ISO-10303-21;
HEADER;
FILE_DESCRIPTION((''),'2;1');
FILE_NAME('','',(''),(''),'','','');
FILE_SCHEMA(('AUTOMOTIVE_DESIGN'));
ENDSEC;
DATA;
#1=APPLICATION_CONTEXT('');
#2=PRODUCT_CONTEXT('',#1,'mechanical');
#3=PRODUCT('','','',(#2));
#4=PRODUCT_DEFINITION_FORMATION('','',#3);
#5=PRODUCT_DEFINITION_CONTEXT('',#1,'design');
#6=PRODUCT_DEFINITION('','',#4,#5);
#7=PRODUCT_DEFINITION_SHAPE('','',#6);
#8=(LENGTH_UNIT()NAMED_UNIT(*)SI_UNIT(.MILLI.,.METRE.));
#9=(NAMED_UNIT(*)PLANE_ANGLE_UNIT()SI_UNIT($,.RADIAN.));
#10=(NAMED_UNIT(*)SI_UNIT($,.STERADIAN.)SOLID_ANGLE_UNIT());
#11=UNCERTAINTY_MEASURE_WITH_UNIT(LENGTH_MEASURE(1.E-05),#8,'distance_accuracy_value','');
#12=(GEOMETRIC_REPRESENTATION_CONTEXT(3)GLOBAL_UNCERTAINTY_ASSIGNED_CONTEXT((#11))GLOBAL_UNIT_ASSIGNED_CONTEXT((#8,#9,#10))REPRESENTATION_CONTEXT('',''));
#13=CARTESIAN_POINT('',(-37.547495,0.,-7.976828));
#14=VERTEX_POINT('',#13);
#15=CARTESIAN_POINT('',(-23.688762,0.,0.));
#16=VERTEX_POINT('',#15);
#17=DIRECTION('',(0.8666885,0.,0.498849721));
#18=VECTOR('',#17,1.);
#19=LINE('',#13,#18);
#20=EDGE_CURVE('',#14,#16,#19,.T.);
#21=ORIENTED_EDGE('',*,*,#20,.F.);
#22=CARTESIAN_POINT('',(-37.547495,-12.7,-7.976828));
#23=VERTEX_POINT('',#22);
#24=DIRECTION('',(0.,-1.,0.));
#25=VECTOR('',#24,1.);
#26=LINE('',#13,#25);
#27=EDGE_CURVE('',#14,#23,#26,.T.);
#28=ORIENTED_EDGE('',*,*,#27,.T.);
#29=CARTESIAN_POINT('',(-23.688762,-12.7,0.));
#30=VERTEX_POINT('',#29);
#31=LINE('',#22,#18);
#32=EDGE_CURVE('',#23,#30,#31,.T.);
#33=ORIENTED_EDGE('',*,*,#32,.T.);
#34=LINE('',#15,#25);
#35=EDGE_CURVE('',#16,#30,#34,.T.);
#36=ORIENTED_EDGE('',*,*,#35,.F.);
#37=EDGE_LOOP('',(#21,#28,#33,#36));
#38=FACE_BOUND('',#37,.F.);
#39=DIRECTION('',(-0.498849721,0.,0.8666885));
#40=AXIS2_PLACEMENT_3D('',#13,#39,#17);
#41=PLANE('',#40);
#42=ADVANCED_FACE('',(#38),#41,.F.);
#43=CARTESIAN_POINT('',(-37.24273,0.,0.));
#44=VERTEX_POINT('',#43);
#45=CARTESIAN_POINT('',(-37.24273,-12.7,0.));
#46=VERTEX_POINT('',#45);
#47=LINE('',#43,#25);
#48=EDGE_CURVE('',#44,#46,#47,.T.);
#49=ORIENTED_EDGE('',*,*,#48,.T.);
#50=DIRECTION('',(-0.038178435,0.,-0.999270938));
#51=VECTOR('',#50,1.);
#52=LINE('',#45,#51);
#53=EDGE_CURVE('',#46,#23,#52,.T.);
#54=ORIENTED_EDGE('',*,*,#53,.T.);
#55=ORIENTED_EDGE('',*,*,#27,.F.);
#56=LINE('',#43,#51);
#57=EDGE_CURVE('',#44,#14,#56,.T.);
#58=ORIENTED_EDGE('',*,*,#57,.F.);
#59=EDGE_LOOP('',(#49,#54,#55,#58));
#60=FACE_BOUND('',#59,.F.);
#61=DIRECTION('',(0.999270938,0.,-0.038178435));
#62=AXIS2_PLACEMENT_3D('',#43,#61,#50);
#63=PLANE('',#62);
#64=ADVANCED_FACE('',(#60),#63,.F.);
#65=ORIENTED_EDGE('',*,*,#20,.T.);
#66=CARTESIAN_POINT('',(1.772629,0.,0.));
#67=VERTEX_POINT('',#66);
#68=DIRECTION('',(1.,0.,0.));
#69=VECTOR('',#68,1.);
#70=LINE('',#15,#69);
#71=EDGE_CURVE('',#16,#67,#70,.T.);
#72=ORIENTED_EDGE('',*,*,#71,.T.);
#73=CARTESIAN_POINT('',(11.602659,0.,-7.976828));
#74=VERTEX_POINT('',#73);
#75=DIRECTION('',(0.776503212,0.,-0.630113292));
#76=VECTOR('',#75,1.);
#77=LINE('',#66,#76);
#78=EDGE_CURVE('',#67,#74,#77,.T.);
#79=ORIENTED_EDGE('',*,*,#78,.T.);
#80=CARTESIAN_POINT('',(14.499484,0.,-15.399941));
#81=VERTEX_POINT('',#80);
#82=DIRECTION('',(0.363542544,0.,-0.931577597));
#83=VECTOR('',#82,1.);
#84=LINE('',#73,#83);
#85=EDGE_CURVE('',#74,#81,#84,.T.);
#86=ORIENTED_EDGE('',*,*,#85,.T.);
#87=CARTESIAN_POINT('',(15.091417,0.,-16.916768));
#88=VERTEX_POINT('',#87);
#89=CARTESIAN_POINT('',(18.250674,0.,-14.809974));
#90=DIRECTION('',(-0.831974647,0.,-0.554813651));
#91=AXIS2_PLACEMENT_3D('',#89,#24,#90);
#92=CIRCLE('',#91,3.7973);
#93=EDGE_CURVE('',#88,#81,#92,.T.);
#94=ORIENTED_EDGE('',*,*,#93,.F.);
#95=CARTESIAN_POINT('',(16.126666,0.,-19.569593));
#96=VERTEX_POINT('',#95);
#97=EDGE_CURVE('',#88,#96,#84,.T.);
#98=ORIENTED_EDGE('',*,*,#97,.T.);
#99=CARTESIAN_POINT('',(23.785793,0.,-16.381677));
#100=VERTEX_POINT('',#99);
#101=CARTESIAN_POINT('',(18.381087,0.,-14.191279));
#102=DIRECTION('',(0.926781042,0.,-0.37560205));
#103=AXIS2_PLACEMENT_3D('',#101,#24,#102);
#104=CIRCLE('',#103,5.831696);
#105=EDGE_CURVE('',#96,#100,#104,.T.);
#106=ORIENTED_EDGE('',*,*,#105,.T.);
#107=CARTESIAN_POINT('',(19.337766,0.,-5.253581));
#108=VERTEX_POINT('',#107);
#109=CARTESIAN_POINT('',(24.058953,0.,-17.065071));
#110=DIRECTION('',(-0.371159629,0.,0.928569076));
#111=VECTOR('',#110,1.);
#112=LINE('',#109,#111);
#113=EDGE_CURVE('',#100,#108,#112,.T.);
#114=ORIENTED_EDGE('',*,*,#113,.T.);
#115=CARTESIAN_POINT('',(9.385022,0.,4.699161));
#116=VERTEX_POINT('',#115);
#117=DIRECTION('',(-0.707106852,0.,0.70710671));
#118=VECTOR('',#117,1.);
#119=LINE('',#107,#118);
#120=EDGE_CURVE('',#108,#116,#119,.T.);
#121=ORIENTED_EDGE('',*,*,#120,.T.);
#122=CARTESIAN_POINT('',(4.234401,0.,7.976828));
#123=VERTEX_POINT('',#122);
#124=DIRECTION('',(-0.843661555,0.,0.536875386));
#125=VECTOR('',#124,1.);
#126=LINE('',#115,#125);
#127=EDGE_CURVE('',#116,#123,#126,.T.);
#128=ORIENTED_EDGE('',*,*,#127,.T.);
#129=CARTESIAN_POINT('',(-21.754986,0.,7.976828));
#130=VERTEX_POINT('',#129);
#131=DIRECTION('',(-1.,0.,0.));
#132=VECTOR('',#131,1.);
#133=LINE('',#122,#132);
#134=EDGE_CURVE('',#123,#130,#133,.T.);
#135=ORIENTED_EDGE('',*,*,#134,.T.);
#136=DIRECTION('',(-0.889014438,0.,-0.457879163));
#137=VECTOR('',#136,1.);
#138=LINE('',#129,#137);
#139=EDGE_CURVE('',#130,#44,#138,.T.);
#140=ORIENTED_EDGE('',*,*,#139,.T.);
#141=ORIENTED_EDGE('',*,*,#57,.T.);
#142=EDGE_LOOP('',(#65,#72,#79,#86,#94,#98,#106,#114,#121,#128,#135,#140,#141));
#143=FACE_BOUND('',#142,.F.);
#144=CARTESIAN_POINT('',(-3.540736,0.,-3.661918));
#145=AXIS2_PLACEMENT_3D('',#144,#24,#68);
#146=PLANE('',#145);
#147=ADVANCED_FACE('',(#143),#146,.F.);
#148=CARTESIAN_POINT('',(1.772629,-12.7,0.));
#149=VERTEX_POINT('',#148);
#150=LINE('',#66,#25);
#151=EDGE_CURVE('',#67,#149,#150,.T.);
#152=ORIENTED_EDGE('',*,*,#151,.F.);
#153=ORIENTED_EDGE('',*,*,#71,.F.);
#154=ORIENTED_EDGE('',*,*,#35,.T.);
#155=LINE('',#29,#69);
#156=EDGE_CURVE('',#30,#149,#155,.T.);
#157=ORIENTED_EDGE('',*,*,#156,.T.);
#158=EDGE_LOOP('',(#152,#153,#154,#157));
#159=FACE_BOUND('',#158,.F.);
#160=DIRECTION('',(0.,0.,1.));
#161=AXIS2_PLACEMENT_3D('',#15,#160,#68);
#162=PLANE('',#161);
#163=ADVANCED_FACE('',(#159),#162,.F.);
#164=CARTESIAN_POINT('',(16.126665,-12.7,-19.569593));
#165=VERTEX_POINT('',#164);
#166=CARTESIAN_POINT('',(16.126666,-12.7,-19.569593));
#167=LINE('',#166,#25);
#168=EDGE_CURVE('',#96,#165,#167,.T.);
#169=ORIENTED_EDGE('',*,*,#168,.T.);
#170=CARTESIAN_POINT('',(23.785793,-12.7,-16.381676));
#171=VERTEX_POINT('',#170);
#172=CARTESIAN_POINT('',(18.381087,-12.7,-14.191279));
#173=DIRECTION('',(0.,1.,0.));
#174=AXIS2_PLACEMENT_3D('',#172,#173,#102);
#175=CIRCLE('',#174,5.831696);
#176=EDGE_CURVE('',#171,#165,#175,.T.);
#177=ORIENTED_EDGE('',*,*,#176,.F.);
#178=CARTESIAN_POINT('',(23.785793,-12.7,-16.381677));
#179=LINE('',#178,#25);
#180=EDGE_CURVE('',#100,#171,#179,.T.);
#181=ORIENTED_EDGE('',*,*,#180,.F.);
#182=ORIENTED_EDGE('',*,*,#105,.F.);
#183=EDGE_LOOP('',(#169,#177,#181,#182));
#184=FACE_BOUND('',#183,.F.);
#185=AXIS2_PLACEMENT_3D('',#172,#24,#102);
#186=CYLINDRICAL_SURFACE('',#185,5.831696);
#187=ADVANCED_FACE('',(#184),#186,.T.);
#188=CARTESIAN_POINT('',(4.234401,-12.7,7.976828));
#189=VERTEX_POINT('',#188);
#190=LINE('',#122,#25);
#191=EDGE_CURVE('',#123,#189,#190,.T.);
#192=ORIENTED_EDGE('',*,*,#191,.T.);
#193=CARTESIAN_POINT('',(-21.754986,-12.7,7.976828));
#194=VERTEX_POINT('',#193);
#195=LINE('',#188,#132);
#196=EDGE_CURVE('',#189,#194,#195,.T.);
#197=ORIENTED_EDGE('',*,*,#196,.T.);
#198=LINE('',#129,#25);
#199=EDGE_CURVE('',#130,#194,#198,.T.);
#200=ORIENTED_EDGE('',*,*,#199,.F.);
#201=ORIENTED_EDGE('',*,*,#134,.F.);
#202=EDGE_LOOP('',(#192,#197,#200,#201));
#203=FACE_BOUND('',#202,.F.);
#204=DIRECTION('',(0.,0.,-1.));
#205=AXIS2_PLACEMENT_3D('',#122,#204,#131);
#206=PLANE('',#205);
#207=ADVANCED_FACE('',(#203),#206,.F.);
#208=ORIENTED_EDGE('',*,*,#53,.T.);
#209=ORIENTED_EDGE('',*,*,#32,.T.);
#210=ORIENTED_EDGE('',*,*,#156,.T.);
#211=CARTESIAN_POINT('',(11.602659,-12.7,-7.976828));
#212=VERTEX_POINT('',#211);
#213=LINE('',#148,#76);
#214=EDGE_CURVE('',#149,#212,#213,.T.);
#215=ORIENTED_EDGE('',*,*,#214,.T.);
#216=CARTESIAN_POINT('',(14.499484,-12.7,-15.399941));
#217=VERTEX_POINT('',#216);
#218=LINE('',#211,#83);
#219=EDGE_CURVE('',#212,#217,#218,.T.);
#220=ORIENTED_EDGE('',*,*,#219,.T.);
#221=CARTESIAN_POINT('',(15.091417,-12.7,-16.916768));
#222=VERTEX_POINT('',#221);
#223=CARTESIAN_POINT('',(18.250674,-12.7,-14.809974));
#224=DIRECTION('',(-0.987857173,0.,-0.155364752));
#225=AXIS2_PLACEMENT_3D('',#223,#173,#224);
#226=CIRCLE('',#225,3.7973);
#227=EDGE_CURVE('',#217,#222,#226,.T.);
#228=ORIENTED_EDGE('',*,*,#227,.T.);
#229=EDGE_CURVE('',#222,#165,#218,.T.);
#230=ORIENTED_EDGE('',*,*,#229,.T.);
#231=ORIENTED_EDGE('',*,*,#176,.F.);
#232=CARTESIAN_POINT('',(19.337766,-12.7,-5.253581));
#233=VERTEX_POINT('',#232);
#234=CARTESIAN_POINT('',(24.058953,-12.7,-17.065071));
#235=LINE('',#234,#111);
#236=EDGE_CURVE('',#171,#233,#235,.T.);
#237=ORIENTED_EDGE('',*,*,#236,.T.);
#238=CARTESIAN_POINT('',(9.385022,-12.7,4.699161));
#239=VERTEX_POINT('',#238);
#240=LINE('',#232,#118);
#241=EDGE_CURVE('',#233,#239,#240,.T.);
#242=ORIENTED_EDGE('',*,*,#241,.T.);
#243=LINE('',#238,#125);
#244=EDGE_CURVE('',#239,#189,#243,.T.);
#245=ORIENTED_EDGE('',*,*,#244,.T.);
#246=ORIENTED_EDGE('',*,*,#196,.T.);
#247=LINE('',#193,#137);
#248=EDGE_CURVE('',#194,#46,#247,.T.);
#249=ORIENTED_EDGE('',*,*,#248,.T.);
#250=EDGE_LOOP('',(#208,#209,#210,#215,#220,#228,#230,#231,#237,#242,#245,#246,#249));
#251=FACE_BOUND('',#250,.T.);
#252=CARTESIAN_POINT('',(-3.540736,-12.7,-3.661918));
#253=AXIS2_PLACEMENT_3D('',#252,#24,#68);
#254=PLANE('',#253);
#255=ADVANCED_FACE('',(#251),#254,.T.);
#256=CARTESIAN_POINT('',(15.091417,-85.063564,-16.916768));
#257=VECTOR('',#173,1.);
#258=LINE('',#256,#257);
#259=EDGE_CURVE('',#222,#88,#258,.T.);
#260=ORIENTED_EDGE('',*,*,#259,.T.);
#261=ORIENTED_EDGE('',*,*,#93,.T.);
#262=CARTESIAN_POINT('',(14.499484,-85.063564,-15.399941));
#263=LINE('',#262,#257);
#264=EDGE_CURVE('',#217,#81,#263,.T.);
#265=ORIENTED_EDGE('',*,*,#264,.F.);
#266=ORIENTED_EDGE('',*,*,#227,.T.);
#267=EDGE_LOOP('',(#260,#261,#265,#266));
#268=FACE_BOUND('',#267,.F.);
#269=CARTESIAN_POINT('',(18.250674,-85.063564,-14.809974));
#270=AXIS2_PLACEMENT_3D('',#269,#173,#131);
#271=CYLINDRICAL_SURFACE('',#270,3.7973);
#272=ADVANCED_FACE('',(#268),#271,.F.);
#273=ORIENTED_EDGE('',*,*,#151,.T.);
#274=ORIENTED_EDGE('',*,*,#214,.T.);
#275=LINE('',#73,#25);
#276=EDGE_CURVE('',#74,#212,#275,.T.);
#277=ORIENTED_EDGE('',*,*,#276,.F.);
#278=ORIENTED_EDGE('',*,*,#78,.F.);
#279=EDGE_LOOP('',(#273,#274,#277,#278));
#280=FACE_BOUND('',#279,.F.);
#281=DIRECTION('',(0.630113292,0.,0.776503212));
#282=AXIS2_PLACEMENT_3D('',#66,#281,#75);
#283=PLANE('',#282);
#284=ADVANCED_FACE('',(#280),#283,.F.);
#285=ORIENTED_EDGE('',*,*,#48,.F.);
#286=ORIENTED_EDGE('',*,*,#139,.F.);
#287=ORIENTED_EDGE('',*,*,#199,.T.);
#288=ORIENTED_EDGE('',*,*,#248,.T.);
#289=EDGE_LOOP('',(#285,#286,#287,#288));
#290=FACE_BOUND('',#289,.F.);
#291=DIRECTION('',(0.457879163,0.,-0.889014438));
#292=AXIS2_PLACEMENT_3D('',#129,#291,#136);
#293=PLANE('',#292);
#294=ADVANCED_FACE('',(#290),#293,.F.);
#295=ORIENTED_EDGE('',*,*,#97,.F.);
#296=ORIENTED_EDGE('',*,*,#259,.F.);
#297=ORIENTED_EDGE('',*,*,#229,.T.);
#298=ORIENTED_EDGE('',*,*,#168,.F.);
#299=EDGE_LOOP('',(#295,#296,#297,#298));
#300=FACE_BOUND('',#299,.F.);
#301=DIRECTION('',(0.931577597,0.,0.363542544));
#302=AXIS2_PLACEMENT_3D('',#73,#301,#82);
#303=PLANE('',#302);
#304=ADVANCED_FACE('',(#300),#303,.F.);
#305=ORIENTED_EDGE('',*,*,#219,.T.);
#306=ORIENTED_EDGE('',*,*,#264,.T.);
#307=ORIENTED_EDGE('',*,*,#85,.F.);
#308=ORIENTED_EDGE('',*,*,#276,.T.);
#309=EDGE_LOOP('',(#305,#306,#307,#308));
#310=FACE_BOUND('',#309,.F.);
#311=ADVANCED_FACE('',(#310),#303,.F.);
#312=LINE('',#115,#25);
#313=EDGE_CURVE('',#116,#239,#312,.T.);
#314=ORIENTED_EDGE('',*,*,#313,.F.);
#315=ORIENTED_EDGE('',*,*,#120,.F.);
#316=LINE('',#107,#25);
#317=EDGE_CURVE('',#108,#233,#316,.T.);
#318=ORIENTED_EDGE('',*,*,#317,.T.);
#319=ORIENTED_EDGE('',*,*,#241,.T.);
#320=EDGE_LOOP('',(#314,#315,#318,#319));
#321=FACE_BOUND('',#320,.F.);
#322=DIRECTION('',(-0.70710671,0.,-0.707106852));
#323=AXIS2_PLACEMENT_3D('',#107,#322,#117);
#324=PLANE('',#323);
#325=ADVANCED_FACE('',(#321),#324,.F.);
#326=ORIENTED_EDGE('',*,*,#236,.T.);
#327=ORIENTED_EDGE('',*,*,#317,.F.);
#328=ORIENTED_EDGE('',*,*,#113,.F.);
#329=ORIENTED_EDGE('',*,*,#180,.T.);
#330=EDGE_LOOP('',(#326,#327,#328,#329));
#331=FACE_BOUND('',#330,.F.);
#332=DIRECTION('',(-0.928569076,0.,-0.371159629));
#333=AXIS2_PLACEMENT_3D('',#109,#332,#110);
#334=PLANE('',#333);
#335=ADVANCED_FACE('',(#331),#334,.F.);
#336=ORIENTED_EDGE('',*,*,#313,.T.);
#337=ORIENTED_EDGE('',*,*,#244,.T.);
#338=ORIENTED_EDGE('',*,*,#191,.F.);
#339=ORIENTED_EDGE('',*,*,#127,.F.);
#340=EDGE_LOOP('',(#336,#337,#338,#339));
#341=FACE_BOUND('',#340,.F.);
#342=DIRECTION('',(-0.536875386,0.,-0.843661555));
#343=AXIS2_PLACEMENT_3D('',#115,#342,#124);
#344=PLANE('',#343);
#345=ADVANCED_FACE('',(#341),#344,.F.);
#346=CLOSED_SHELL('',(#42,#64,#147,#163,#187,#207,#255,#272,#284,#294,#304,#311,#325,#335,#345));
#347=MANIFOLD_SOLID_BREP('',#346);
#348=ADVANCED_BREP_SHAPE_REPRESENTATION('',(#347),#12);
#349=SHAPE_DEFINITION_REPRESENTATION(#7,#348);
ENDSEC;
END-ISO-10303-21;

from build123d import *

# Parameters (mm, degrees)
F1_DEPTH = 12.7
F3_D     = 7.5946
F5_DEPTH = 25.4


with BuildPart() as f1:
    # F0 (on Front) → F1 (new body)
    with BuildSketch(Plane.XZ):
        Polygon((-23.688762, 0), (-1.933777, 0), (1.772629, 0), (11.602659, -7.976828), (19.337766, -27.798036), (23.608761, -21.086473), (24.058953, -17.065071), (19.337766, -5.253581), (9.385022, 4.699161), (4.234401, 7.976828), (-21.754986, 7.976828), (-37.24273, 0), (-37.547495, -7.976828), align=None)
    extrude(amount=F1_DEPTH)

    # F3 (through all)
    with Locations(Plane.XZ.offset(12.7)):
        with Locations((18.250674, -14.809974)):
            Hole(F3_D / 2)

    # F4 (on face) → F5 (cut)
    with BuildSketch(Plane.XZ.offset(12.7)):
        with BuildLine():
            ThreePointArc((23.785793, -16.381676), (20.622019, -19.575228), (16.126665, -19.569593))
            Line((16.126665, -19.569593), (19.337766, -27.798036))
            Line((19.337766, -27.798036), (23.608761, -21.086473))
            Line((23.608761, -21.086473), (24.058953, -17.065071))
            Line((24.058953, -17.065071), (23.785793, -16.381676))
        make_face()
    extrude(amount=-F5_DEPTH, mode=Mode.SUBTRACT)


solid = f1.part
